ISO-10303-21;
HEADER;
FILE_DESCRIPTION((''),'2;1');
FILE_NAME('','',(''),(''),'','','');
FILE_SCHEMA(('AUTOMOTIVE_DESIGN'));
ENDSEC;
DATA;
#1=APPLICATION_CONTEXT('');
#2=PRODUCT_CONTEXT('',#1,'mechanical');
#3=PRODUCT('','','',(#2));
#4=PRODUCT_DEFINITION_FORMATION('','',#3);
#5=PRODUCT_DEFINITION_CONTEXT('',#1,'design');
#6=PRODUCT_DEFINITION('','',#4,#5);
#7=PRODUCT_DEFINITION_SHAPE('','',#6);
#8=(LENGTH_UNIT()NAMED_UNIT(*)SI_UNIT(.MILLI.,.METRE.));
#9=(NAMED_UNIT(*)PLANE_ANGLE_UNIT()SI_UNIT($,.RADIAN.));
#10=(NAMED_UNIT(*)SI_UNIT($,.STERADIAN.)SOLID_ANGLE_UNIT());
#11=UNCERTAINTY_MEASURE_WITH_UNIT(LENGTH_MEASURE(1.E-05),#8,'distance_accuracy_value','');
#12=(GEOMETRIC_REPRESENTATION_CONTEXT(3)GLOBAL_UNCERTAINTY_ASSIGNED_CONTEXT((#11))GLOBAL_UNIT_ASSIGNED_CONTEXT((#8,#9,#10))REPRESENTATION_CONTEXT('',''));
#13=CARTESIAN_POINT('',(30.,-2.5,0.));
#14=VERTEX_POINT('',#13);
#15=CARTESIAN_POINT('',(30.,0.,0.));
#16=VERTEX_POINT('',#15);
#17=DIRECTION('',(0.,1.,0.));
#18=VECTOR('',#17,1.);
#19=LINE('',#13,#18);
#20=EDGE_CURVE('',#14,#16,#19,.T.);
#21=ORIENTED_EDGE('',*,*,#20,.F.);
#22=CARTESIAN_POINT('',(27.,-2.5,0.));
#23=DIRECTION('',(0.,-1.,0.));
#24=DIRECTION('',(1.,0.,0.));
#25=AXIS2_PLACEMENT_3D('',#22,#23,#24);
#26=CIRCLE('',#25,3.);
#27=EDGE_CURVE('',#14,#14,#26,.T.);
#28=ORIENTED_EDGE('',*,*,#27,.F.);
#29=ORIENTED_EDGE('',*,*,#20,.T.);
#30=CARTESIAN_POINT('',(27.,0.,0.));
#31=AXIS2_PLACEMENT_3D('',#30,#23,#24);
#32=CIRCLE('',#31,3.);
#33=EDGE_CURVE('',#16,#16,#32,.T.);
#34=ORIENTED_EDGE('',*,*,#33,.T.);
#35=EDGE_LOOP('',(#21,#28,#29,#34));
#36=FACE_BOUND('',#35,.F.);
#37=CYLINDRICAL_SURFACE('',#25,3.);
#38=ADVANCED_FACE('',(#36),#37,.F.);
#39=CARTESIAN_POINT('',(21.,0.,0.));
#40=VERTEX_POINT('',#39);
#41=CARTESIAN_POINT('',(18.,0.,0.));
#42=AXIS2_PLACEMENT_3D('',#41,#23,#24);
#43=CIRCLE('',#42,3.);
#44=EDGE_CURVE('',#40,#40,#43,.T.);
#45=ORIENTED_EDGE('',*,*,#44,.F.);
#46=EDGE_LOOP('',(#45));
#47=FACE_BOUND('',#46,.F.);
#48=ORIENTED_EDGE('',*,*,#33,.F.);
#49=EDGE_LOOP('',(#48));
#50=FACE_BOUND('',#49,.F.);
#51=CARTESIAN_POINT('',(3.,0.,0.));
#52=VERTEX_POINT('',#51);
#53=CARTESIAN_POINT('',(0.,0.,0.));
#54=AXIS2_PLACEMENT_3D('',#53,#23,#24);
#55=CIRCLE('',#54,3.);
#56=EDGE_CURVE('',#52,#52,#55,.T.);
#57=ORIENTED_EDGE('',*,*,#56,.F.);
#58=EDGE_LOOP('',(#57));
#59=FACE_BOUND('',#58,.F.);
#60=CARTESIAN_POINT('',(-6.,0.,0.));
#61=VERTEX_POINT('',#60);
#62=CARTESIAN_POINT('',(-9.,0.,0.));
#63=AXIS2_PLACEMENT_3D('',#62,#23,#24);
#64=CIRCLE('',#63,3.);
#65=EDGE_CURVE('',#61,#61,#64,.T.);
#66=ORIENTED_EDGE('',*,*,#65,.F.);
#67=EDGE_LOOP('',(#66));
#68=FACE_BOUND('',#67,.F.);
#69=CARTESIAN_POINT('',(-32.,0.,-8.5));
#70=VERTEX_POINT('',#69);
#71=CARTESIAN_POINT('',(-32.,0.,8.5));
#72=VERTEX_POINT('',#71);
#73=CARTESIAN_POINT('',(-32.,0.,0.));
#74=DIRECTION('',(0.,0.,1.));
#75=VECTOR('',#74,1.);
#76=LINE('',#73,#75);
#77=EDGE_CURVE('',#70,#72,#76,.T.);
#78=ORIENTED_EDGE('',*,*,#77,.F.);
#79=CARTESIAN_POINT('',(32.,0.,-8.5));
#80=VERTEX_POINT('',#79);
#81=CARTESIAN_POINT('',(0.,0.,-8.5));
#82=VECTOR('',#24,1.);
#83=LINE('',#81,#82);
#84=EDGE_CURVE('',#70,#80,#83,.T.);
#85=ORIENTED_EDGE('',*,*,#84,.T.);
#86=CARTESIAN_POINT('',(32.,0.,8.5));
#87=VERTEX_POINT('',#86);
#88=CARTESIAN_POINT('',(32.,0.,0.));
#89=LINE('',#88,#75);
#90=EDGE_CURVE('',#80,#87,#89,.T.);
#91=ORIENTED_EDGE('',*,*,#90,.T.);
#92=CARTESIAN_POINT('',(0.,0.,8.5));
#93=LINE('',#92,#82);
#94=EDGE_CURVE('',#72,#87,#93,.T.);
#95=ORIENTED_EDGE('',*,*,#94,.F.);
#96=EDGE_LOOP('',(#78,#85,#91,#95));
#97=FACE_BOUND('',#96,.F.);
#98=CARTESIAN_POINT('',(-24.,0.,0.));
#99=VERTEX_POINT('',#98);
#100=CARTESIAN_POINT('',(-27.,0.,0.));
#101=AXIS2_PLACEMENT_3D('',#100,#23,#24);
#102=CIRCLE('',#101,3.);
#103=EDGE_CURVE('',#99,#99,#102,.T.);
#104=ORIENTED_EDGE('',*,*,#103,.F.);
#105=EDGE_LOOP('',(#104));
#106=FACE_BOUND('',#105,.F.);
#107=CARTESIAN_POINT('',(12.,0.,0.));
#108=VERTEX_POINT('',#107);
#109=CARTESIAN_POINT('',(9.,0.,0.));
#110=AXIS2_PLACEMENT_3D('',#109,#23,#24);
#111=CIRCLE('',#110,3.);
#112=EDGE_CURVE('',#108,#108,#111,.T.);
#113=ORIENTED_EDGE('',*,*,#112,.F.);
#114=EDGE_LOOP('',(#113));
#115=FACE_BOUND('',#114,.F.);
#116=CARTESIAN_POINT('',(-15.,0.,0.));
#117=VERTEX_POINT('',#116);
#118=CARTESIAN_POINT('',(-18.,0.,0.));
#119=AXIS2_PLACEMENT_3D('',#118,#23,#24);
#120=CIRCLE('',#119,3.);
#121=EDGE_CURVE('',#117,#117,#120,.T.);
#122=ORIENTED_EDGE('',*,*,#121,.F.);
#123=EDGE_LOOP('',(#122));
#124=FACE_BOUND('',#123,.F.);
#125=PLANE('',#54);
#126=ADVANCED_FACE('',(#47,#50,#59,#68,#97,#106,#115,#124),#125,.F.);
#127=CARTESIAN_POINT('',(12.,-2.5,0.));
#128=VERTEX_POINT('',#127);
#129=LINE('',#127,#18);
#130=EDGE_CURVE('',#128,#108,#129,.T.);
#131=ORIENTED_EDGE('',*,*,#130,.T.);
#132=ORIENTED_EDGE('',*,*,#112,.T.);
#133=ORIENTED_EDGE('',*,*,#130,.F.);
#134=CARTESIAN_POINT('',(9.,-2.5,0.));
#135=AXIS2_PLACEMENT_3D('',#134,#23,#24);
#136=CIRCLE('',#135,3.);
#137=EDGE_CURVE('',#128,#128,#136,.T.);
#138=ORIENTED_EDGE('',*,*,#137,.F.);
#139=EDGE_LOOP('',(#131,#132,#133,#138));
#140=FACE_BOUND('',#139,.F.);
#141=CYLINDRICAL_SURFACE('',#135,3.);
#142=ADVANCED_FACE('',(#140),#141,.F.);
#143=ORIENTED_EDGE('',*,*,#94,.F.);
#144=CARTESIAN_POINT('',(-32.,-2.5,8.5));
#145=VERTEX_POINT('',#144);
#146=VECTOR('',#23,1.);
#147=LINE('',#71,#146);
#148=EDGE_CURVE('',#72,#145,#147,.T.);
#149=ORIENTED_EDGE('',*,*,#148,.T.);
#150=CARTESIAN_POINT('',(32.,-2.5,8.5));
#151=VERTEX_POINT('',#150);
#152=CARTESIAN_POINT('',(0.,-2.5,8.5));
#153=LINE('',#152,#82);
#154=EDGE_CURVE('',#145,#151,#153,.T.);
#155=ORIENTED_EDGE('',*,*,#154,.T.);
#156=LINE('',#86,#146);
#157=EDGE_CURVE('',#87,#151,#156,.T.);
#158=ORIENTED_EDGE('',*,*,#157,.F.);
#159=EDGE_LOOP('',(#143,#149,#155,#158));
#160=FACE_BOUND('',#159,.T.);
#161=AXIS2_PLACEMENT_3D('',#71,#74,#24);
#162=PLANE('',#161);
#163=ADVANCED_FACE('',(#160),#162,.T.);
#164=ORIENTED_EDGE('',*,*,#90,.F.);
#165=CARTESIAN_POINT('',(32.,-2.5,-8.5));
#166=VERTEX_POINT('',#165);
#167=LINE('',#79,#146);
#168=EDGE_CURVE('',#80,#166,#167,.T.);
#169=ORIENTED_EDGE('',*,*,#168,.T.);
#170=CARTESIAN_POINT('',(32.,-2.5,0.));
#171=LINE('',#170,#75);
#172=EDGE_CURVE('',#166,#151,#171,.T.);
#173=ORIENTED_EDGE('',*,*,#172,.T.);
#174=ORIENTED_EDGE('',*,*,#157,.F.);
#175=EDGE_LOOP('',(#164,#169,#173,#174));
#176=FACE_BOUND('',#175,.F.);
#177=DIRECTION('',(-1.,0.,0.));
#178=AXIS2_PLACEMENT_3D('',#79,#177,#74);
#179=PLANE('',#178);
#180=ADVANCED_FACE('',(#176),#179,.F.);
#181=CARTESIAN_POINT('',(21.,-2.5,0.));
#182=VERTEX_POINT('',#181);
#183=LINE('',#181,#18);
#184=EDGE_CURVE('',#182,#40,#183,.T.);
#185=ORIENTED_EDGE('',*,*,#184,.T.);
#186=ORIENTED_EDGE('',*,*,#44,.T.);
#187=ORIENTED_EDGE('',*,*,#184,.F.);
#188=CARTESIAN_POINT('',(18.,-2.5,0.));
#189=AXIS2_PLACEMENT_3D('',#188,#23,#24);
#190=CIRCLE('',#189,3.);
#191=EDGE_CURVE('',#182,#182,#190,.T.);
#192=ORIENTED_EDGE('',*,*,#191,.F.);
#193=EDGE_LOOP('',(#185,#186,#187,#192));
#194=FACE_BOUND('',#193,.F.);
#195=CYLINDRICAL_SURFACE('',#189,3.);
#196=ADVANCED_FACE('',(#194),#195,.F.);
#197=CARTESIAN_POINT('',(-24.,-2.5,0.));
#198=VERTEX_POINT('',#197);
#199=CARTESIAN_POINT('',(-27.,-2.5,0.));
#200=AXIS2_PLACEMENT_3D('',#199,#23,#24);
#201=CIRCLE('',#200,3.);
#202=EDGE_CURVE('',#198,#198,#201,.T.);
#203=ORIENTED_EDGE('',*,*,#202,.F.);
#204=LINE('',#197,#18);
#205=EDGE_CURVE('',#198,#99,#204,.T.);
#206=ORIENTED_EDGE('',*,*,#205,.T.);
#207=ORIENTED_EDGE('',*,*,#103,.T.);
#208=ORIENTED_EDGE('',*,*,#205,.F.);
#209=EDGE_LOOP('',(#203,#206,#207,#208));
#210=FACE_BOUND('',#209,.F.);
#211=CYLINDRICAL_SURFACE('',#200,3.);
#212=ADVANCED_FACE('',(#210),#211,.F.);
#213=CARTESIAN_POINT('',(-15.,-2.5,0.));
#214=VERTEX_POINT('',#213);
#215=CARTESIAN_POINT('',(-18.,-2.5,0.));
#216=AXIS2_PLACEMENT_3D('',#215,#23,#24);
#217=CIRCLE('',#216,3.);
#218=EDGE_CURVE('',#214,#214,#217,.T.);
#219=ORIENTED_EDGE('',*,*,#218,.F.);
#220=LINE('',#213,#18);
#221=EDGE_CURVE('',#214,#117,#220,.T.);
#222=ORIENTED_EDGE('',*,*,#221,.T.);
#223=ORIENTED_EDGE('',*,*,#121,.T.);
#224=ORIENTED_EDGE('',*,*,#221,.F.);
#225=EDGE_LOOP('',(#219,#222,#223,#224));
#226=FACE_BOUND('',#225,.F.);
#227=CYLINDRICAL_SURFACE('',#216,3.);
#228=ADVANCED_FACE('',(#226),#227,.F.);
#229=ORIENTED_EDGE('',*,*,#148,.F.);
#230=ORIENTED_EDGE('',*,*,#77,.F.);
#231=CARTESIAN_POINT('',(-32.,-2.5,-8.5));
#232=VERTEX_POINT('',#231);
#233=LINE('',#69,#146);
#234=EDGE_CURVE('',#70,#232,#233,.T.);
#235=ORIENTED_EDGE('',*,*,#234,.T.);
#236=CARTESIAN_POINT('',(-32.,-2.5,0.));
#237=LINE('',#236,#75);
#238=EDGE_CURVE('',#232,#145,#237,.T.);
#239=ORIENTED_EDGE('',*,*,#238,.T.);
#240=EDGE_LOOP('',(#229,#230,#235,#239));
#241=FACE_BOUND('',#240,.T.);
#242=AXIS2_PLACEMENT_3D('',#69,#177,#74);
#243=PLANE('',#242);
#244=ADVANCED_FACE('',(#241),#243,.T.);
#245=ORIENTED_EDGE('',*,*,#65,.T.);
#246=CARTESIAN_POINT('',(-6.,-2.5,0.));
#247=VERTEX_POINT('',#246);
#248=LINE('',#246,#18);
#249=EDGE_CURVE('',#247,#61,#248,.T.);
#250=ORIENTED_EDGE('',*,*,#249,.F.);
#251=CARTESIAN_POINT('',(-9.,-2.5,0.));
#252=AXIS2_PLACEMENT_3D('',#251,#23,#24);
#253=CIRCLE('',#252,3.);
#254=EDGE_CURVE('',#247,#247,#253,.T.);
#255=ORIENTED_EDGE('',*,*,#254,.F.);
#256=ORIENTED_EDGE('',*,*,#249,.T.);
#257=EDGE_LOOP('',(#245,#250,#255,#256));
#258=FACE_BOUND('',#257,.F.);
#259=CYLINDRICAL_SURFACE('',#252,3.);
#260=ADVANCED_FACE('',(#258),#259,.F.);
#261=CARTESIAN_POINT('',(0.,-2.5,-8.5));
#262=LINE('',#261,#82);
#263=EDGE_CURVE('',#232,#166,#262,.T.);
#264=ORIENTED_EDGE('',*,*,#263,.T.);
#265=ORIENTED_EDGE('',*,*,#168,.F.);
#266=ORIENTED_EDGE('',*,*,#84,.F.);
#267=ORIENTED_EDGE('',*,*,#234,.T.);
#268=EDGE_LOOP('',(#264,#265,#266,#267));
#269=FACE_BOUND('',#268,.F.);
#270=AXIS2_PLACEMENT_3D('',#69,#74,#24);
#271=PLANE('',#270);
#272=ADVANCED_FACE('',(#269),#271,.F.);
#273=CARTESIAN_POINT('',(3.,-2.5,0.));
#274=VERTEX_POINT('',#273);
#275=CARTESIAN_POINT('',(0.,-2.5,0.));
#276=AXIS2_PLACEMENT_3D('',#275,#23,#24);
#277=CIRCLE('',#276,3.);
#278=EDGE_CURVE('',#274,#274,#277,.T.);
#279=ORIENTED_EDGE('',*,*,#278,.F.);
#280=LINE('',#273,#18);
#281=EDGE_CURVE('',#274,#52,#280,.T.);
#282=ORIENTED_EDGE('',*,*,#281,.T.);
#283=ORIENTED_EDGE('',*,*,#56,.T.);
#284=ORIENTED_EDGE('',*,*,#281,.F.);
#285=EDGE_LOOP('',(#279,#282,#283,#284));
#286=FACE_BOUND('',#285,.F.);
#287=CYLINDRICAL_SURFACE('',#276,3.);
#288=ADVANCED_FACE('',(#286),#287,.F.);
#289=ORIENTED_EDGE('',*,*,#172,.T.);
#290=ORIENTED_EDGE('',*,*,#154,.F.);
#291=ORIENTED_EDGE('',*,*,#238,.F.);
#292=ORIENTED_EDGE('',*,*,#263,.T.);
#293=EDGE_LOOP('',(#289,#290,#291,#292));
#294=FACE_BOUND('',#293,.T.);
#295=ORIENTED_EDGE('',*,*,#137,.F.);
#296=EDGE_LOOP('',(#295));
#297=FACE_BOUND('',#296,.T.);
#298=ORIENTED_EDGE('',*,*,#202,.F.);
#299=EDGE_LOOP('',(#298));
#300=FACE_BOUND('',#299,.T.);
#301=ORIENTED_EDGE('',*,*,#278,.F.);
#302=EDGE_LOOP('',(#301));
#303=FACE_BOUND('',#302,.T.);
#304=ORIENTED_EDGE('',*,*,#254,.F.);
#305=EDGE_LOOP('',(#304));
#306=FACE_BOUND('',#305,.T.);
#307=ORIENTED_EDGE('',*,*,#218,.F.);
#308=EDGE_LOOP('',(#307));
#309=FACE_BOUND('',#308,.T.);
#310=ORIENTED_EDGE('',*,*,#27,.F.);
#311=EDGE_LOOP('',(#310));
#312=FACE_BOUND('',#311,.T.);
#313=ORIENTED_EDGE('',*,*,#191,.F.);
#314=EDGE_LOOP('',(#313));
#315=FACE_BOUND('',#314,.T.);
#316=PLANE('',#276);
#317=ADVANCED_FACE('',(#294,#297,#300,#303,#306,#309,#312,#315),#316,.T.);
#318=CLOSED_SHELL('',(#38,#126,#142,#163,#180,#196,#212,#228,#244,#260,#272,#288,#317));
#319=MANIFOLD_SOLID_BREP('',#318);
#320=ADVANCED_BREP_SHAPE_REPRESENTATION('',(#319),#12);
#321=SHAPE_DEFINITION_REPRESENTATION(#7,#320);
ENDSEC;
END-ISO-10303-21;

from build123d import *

# Parameters (mm, degrees)
F0_W     = 64
F0_H     = 17
F1_DEPTH = 2.5
F2_R     = 3
F3_DEPTH = 2.501


with BuildPart() as f1:
    # F0 (on Front) → F1 (new body)
    with BuildSketch(Plane.XZ):
        Rectangle(F0_W, F0_H)
    extrude(amount=F1_DEPTH)

    # F2 (on face) → F3 (cut, through all)
    with BuildSketch(Plane.XZ.offset(2.5)):
        with Locations((27, 0)):
            Circle(F2_R)
        with Locations((18, 0)):
            Circle(F2_R)
        with Locations((9, 0)):
            Circle(F2_R)
        Circle(F2_R)
        with Locations((-9, 0)):
            Circle(F2_R)
        with Locations((-18, 0)):
            Circle(F2_R)
        with Locations((-27, 0)):
            Circle(F2_R)
    extrude(amount=-F3_DEPTH, mode=Mode.SUBTRACT)


solid = f1.part
